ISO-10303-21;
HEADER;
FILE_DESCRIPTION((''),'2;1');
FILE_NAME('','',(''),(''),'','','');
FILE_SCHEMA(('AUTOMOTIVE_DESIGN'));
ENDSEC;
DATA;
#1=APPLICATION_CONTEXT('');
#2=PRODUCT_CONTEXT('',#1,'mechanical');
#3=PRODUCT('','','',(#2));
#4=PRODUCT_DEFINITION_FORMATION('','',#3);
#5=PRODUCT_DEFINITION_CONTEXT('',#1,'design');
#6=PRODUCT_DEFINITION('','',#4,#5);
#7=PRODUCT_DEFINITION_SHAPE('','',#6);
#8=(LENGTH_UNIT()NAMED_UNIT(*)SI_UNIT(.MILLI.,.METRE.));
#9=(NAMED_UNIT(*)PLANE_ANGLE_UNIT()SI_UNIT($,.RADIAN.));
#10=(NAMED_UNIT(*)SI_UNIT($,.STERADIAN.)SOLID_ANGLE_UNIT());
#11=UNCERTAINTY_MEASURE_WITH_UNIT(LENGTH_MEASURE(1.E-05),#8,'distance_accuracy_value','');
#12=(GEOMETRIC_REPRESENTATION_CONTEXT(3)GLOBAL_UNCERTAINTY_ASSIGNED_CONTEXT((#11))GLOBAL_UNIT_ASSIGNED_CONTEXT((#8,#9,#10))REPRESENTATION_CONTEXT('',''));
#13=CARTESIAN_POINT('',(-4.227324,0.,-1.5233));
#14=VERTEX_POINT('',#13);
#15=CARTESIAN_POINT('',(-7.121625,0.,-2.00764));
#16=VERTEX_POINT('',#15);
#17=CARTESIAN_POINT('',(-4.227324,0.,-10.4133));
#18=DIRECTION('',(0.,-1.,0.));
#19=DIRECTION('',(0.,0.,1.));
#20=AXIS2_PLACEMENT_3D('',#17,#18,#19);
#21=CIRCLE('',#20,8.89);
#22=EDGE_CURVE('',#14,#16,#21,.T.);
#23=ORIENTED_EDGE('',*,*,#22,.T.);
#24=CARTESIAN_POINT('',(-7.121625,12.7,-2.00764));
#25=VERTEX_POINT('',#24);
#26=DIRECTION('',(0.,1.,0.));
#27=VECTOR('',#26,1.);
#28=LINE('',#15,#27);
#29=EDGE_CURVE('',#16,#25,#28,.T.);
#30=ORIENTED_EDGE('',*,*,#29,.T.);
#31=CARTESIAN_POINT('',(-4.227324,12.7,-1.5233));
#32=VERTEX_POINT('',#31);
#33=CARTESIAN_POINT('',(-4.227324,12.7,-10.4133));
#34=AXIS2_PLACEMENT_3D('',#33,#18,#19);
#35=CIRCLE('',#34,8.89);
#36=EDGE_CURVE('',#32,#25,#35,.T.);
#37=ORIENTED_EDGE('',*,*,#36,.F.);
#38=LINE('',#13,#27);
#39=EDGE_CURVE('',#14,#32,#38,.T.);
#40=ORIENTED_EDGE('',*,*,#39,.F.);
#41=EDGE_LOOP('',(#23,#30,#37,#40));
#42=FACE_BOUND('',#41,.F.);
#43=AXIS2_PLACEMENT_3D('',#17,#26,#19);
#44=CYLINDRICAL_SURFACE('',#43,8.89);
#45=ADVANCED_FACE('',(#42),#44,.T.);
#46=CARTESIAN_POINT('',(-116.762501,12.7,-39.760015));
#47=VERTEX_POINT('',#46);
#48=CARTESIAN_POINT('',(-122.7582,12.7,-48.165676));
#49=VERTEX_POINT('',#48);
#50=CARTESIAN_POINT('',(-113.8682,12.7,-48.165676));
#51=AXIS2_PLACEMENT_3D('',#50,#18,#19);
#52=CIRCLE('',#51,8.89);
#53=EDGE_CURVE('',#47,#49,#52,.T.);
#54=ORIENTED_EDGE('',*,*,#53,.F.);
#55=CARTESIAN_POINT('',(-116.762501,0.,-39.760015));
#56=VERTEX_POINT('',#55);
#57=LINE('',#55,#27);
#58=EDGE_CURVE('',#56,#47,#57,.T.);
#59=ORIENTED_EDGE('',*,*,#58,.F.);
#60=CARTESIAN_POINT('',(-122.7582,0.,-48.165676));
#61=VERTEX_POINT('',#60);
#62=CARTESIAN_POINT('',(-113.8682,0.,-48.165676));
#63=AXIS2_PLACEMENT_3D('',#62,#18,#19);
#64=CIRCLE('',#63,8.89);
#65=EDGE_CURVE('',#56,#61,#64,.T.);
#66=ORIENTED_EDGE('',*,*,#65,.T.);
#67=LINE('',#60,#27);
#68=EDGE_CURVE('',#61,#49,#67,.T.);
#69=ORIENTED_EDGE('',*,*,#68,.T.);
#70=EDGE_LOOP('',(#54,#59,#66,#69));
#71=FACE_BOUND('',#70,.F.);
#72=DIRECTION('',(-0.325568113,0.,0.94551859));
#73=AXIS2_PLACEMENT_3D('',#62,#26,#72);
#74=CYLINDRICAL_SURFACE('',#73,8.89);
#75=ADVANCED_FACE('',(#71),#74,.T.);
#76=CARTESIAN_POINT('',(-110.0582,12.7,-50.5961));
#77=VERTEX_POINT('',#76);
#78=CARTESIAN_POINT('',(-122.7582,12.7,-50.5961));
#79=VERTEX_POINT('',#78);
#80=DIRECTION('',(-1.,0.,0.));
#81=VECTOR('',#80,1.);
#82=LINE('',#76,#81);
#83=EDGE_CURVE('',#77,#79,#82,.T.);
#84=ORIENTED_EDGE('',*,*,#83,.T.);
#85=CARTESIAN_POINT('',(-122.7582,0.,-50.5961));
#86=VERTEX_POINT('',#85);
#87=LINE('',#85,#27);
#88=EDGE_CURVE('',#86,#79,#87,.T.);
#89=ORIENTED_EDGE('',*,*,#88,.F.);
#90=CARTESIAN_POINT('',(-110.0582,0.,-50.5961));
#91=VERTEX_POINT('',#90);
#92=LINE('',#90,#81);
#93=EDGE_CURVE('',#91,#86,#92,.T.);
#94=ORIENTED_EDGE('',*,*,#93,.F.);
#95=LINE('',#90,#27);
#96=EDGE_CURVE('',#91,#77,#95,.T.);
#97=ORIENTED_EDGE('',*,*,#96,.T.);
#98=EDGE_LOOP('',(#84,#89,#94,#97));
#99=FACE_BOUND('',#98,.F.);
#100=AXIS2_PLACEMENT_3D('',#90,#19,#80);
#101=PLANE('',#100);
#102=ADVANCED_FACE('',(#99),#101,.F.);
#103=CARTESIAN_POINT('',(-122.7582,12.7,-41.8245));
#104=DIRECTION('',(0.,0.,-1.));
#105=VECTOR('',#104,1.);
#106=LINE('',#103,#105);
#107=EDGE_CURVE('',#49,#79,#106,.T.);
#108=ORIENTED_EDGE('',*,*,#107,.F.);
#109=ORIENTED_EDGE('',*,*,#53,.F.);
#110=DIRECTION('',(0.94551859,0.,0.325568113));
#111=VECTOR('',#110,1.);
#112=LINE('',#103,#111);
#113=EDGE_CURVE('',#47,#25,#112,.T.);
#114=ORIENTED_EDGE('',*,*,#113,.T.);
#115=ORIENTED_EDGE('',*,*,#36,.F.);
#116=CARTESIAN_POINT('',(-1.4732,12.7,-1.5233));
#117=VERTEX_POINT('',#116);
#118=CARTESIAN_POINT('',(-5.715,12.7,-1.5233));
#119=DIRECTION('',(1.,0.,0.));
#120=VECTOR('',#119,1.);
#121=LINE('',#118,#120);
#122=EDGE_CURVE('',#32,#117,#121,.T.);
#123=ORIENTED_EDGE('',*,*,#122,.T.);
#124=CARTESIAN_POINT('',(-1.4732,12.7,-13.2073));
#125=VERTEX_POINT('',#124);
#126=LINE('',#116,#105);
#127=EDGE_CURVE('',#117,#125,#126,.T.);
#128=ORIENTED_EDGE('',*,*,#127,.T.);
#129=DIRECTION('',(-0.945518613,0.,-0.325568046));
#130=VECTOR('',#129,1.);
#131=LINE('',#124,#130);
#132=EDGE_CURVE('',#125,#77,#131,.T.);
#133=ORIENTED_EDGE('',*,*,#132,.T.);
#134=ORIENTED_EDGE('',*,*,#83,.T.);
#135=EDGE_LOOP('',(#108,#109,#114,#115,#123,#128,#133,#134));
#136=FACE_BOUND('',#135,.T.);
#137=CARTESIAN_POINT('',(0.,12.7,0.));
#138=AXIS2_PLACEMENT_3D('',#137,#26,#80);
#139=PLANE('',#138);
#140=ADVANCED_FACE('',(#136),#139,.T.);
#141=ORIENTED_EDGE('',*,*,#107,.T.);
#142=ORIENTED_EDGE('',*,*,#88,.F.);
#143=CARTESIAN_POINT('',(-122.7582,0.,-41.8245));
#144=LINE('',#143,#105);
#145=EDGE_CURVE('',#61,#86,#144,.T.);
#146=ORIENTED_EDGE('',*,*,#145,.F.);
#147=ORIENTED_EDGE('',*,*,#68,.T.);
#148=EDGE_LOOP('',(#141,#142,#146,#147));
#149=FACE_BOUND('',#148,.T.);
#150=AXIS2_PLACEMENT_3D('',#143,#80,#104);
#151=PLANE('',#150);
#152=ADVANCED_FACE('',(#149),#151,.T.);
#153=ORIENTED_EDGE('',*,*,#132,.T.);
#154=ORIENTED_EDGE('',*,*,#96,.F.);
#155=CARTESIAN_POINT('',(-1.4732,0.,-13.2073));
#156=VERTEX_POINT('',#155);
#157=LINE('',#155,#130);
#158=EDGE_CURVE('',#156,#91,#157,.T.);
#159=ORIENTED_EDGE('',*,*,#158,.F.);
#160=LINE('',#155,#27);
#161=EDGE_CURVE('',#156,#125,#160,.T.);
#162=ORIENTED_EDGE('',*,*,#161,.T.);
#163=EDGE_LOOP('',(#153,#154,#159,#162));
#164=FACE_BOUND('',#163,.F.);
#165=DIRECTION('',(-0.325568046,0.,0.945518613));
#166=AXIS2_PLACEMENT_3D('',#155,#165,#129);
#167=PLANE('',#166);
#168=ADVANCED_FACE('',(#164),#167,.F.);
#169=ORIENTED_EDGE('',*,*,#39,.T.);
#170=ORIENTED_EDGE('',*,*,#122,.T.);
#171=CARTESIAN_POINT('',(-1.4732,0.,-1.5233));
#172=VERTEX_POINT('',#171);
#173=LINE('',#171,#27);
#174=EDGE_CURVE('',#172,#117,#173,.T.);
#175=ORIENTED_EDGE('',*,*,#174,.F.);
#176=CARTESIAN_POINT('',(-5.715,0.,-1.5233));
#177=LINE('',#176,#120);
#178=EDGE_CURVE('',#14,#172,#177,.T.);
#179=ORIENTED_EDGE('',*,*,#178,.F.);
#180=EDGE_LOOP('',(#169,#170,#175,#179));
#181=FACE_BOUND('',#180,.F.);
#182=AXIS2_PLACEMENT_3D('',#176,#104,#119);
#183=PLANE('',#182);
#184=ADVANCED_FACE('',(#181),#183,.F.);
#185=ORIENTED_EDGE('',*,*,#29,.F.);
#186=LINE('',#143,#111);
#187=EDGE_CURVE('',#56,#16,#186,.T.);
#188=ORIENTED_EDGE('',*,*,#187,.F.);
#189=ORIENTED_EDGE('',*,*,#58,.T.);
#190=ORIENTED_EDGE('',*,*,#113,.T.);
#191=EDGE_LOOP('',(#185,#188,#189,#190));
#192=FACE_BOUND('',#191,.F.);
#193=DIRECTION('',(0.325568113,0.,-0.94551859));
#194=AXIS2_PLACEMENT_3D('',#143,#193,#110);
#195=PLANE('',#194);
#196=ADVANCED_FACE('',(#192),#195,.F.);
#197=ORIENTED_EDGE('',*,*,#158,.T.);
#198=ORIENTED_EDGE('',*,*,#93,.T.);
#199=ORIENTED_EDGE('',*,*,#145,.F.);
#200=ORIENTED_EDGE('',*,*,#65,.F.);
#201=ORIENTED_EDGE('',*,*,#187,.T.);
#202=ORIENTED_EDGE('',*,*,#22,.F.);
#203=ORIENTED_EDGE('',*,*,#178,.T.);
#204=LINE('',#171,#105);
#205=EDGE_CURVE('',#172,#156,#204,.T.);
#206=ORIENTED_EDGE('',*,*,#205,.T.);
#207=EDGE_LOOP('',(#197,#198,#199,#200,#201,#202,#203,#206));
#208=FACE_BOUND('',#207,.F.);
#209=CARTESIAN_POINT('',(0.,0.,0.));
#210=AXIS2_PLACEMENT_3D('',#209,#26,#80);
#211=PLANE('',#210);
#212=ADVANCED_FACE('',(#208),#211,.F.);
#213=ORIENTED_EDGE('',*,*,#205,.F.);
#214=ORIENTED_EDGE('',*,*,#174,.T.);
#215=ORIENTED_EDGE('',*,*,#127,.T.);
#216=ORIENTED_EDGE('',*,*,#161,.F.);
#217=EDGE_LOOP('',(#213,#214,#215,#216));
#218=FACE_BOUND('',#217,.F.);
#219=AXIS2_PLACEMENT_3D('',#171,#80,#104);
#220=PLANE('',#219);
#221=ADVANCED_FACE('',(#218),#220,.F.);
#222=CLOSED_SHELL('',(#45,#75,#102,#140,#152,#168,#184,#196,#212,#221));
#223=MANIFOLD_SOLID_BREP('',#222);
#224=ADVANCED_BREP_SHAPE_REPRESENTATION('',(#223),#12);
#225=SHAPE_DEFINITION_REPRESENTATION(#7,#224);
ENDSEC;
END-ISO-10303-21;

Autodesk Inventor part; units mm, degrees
ref_plane "YZ Plane" through (0, 0, 0) normal (1, 0, 0) x (0, 1, 0)
ref_plane "XZ Plane" through (0, 0, 0) normal (0, 1, 0) x (-1, 0, 0)
ref_plane "XY Plane" through (0, 0, 0) normal (0, 0, 1) x (1, 0, 0)
sketch "Sketch1" plane through (0, 0, 0) normal (0, 1, 0) x (-1, 0, 0)
  line L0 (110.0582, -50.5961) -> (122.7582, -50.5961)
  line L1 (122.7582, -41.8245) -> (122.7582, -50.5961)
  line L2 (122.7582, -41.8245) -> (5.715, -1.5233)
  line L3 (5.715, -1.5233) -> (1.4732, -1.5233)
  line L4 (1.4732, -1.5233) -> (1.4732, -13.2073)
  line L5 (1.4732, -13.2073) -> (110.0582, -50.5961)
  point P0 (122.7582, -46.2103)
  dimension "d17" = 4.2418
  dimension "d18" = 121.285
  dimension "d19" = 109
  dimension "d21" = 12.7
  dimension "d22" = 11.684
extrude "Extrusion1" add sketch "Sketch1" along normal blind 12.7
fillet "Fillet2" radius 8.89 2 edges at (-5.715, 6.35, -1.5233) (-122.7582, 6.35, -41.8245)
properties part number "Part4 x 2"
